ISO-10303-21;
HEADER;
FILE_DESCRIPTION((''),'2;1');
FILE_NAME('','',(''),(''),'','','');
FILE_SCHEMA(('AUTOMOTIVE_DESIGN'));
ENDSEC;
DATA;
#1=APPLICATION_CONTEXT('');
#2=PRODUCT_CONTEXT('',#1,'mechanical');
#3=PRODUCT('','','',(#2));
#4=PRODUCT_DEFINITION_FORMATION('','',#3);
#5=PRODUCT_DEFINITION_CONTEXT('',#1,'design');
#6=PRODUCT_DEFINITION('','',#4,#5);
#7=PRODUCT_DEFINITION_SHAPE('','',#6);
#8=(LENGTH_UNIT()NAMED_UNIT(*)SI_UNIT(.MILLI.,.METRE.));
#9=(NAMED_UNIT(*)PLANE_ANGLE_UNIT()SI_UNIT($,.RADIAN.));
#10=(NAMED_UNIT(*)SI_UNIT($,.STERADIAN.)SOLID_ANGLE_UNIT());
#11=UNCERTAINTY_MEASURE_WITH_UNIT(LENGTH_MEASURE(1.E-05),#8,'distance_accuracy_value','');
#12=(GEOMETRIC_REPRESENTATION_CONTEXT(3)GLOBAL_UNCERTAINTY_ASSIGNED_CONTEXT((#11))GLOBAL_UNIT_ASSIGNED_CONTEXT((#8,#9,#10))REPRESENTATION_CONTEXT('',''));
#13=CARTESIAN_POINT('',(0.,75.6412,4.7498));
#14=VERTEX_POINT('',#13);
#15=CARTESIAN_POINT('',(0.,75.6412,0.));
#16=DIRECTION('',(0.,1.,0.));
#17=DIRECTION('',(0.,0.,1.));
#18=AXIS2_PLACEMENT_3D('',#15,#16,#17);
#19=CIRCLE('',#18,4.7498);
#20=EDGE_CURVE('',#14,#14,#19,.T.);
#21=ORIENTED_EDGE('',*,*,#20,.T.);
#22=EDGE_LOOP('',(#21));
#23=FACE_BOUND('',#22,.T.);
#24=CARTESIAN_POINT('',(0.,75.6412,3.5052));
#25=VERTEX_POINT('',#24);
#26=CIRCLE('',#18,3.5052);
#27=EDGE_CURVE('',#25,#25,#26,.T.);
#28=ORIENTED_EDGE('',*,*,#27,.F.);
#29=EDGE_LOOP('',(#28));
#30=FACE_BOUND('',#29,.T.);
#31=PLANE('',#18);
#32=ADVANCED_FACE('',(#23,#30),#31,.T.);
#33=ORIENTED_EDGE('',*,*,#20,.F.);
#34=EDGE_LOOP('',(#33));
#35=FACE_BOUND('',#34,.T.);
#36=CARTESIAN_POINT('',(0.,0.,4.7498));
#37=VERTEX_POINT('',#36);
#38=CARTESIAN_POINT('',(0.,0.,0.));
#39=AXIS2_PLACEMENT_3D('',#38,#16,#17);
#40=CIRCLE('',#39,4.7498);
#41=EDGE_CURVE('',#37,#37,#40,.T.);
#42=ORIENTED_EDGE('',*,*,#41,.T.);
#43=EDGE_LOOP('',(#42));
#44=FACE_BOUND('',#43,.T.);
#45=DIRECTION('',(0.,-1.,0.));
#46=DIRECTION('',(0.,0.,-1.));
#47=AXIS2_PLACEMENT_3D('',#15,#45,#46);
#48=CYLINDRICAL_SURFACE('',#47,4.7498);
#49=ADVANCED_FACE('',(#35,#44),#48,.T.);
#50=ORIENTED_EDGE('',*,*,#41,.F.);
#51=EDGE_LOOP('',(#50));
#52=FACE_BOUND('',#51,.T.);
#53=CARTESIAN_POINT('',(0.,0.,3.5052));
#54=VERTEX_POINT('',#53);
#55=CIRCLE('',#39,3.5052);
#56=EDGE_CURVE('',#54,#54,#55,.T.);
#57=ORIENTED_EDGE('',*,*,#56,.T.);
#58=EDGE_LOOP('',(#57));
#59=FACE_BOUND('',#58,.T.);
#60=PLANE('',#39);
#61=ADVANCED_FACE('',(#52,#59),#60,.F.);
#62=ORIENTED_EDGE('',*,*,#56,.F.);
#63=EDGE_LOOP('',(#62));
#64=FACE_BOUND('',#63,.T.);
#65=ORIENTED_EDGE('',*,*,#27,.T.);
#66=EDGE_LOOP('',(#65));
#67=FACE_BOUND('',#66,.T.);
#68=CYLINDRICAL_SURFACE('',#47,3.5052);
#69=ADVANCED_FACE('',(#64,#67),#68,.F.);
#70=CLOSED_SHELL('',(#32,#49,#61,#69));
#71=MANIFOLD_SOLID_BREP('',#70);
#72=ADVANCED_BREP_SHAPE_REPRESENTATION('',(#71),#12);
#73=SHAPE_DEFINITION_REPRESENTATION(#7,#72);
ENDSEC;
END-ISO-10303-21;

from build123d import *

# Parameters (mm, degrees)
SKETCH1_R           = 4.7498
SKETCH1_R_2         = 3.5052
BOSS_EXTRUDE1_DEPTH = 75.6412


with BuildPart() as part:
    # Sketch1 → Boss-Extrude1 (new body)
    with BuildSketch(Plane(origin=(0, 0, 0), x_dir=(1, 0, 0), z_dir=(0, 1, 0))):
        with Locations(Location((0, 0, 0), (0, 0, 270))):
            Circle(SKETCH1_R)
        with Locations(Location((0, 0, 0), (0, 0, 270))):
            Circle(SKETCH1_R_2, mode=Mode.SUBTRACT)
    extrude(amount=BOSS_EXTRUDE1_DEPTH)


solid = part.part
